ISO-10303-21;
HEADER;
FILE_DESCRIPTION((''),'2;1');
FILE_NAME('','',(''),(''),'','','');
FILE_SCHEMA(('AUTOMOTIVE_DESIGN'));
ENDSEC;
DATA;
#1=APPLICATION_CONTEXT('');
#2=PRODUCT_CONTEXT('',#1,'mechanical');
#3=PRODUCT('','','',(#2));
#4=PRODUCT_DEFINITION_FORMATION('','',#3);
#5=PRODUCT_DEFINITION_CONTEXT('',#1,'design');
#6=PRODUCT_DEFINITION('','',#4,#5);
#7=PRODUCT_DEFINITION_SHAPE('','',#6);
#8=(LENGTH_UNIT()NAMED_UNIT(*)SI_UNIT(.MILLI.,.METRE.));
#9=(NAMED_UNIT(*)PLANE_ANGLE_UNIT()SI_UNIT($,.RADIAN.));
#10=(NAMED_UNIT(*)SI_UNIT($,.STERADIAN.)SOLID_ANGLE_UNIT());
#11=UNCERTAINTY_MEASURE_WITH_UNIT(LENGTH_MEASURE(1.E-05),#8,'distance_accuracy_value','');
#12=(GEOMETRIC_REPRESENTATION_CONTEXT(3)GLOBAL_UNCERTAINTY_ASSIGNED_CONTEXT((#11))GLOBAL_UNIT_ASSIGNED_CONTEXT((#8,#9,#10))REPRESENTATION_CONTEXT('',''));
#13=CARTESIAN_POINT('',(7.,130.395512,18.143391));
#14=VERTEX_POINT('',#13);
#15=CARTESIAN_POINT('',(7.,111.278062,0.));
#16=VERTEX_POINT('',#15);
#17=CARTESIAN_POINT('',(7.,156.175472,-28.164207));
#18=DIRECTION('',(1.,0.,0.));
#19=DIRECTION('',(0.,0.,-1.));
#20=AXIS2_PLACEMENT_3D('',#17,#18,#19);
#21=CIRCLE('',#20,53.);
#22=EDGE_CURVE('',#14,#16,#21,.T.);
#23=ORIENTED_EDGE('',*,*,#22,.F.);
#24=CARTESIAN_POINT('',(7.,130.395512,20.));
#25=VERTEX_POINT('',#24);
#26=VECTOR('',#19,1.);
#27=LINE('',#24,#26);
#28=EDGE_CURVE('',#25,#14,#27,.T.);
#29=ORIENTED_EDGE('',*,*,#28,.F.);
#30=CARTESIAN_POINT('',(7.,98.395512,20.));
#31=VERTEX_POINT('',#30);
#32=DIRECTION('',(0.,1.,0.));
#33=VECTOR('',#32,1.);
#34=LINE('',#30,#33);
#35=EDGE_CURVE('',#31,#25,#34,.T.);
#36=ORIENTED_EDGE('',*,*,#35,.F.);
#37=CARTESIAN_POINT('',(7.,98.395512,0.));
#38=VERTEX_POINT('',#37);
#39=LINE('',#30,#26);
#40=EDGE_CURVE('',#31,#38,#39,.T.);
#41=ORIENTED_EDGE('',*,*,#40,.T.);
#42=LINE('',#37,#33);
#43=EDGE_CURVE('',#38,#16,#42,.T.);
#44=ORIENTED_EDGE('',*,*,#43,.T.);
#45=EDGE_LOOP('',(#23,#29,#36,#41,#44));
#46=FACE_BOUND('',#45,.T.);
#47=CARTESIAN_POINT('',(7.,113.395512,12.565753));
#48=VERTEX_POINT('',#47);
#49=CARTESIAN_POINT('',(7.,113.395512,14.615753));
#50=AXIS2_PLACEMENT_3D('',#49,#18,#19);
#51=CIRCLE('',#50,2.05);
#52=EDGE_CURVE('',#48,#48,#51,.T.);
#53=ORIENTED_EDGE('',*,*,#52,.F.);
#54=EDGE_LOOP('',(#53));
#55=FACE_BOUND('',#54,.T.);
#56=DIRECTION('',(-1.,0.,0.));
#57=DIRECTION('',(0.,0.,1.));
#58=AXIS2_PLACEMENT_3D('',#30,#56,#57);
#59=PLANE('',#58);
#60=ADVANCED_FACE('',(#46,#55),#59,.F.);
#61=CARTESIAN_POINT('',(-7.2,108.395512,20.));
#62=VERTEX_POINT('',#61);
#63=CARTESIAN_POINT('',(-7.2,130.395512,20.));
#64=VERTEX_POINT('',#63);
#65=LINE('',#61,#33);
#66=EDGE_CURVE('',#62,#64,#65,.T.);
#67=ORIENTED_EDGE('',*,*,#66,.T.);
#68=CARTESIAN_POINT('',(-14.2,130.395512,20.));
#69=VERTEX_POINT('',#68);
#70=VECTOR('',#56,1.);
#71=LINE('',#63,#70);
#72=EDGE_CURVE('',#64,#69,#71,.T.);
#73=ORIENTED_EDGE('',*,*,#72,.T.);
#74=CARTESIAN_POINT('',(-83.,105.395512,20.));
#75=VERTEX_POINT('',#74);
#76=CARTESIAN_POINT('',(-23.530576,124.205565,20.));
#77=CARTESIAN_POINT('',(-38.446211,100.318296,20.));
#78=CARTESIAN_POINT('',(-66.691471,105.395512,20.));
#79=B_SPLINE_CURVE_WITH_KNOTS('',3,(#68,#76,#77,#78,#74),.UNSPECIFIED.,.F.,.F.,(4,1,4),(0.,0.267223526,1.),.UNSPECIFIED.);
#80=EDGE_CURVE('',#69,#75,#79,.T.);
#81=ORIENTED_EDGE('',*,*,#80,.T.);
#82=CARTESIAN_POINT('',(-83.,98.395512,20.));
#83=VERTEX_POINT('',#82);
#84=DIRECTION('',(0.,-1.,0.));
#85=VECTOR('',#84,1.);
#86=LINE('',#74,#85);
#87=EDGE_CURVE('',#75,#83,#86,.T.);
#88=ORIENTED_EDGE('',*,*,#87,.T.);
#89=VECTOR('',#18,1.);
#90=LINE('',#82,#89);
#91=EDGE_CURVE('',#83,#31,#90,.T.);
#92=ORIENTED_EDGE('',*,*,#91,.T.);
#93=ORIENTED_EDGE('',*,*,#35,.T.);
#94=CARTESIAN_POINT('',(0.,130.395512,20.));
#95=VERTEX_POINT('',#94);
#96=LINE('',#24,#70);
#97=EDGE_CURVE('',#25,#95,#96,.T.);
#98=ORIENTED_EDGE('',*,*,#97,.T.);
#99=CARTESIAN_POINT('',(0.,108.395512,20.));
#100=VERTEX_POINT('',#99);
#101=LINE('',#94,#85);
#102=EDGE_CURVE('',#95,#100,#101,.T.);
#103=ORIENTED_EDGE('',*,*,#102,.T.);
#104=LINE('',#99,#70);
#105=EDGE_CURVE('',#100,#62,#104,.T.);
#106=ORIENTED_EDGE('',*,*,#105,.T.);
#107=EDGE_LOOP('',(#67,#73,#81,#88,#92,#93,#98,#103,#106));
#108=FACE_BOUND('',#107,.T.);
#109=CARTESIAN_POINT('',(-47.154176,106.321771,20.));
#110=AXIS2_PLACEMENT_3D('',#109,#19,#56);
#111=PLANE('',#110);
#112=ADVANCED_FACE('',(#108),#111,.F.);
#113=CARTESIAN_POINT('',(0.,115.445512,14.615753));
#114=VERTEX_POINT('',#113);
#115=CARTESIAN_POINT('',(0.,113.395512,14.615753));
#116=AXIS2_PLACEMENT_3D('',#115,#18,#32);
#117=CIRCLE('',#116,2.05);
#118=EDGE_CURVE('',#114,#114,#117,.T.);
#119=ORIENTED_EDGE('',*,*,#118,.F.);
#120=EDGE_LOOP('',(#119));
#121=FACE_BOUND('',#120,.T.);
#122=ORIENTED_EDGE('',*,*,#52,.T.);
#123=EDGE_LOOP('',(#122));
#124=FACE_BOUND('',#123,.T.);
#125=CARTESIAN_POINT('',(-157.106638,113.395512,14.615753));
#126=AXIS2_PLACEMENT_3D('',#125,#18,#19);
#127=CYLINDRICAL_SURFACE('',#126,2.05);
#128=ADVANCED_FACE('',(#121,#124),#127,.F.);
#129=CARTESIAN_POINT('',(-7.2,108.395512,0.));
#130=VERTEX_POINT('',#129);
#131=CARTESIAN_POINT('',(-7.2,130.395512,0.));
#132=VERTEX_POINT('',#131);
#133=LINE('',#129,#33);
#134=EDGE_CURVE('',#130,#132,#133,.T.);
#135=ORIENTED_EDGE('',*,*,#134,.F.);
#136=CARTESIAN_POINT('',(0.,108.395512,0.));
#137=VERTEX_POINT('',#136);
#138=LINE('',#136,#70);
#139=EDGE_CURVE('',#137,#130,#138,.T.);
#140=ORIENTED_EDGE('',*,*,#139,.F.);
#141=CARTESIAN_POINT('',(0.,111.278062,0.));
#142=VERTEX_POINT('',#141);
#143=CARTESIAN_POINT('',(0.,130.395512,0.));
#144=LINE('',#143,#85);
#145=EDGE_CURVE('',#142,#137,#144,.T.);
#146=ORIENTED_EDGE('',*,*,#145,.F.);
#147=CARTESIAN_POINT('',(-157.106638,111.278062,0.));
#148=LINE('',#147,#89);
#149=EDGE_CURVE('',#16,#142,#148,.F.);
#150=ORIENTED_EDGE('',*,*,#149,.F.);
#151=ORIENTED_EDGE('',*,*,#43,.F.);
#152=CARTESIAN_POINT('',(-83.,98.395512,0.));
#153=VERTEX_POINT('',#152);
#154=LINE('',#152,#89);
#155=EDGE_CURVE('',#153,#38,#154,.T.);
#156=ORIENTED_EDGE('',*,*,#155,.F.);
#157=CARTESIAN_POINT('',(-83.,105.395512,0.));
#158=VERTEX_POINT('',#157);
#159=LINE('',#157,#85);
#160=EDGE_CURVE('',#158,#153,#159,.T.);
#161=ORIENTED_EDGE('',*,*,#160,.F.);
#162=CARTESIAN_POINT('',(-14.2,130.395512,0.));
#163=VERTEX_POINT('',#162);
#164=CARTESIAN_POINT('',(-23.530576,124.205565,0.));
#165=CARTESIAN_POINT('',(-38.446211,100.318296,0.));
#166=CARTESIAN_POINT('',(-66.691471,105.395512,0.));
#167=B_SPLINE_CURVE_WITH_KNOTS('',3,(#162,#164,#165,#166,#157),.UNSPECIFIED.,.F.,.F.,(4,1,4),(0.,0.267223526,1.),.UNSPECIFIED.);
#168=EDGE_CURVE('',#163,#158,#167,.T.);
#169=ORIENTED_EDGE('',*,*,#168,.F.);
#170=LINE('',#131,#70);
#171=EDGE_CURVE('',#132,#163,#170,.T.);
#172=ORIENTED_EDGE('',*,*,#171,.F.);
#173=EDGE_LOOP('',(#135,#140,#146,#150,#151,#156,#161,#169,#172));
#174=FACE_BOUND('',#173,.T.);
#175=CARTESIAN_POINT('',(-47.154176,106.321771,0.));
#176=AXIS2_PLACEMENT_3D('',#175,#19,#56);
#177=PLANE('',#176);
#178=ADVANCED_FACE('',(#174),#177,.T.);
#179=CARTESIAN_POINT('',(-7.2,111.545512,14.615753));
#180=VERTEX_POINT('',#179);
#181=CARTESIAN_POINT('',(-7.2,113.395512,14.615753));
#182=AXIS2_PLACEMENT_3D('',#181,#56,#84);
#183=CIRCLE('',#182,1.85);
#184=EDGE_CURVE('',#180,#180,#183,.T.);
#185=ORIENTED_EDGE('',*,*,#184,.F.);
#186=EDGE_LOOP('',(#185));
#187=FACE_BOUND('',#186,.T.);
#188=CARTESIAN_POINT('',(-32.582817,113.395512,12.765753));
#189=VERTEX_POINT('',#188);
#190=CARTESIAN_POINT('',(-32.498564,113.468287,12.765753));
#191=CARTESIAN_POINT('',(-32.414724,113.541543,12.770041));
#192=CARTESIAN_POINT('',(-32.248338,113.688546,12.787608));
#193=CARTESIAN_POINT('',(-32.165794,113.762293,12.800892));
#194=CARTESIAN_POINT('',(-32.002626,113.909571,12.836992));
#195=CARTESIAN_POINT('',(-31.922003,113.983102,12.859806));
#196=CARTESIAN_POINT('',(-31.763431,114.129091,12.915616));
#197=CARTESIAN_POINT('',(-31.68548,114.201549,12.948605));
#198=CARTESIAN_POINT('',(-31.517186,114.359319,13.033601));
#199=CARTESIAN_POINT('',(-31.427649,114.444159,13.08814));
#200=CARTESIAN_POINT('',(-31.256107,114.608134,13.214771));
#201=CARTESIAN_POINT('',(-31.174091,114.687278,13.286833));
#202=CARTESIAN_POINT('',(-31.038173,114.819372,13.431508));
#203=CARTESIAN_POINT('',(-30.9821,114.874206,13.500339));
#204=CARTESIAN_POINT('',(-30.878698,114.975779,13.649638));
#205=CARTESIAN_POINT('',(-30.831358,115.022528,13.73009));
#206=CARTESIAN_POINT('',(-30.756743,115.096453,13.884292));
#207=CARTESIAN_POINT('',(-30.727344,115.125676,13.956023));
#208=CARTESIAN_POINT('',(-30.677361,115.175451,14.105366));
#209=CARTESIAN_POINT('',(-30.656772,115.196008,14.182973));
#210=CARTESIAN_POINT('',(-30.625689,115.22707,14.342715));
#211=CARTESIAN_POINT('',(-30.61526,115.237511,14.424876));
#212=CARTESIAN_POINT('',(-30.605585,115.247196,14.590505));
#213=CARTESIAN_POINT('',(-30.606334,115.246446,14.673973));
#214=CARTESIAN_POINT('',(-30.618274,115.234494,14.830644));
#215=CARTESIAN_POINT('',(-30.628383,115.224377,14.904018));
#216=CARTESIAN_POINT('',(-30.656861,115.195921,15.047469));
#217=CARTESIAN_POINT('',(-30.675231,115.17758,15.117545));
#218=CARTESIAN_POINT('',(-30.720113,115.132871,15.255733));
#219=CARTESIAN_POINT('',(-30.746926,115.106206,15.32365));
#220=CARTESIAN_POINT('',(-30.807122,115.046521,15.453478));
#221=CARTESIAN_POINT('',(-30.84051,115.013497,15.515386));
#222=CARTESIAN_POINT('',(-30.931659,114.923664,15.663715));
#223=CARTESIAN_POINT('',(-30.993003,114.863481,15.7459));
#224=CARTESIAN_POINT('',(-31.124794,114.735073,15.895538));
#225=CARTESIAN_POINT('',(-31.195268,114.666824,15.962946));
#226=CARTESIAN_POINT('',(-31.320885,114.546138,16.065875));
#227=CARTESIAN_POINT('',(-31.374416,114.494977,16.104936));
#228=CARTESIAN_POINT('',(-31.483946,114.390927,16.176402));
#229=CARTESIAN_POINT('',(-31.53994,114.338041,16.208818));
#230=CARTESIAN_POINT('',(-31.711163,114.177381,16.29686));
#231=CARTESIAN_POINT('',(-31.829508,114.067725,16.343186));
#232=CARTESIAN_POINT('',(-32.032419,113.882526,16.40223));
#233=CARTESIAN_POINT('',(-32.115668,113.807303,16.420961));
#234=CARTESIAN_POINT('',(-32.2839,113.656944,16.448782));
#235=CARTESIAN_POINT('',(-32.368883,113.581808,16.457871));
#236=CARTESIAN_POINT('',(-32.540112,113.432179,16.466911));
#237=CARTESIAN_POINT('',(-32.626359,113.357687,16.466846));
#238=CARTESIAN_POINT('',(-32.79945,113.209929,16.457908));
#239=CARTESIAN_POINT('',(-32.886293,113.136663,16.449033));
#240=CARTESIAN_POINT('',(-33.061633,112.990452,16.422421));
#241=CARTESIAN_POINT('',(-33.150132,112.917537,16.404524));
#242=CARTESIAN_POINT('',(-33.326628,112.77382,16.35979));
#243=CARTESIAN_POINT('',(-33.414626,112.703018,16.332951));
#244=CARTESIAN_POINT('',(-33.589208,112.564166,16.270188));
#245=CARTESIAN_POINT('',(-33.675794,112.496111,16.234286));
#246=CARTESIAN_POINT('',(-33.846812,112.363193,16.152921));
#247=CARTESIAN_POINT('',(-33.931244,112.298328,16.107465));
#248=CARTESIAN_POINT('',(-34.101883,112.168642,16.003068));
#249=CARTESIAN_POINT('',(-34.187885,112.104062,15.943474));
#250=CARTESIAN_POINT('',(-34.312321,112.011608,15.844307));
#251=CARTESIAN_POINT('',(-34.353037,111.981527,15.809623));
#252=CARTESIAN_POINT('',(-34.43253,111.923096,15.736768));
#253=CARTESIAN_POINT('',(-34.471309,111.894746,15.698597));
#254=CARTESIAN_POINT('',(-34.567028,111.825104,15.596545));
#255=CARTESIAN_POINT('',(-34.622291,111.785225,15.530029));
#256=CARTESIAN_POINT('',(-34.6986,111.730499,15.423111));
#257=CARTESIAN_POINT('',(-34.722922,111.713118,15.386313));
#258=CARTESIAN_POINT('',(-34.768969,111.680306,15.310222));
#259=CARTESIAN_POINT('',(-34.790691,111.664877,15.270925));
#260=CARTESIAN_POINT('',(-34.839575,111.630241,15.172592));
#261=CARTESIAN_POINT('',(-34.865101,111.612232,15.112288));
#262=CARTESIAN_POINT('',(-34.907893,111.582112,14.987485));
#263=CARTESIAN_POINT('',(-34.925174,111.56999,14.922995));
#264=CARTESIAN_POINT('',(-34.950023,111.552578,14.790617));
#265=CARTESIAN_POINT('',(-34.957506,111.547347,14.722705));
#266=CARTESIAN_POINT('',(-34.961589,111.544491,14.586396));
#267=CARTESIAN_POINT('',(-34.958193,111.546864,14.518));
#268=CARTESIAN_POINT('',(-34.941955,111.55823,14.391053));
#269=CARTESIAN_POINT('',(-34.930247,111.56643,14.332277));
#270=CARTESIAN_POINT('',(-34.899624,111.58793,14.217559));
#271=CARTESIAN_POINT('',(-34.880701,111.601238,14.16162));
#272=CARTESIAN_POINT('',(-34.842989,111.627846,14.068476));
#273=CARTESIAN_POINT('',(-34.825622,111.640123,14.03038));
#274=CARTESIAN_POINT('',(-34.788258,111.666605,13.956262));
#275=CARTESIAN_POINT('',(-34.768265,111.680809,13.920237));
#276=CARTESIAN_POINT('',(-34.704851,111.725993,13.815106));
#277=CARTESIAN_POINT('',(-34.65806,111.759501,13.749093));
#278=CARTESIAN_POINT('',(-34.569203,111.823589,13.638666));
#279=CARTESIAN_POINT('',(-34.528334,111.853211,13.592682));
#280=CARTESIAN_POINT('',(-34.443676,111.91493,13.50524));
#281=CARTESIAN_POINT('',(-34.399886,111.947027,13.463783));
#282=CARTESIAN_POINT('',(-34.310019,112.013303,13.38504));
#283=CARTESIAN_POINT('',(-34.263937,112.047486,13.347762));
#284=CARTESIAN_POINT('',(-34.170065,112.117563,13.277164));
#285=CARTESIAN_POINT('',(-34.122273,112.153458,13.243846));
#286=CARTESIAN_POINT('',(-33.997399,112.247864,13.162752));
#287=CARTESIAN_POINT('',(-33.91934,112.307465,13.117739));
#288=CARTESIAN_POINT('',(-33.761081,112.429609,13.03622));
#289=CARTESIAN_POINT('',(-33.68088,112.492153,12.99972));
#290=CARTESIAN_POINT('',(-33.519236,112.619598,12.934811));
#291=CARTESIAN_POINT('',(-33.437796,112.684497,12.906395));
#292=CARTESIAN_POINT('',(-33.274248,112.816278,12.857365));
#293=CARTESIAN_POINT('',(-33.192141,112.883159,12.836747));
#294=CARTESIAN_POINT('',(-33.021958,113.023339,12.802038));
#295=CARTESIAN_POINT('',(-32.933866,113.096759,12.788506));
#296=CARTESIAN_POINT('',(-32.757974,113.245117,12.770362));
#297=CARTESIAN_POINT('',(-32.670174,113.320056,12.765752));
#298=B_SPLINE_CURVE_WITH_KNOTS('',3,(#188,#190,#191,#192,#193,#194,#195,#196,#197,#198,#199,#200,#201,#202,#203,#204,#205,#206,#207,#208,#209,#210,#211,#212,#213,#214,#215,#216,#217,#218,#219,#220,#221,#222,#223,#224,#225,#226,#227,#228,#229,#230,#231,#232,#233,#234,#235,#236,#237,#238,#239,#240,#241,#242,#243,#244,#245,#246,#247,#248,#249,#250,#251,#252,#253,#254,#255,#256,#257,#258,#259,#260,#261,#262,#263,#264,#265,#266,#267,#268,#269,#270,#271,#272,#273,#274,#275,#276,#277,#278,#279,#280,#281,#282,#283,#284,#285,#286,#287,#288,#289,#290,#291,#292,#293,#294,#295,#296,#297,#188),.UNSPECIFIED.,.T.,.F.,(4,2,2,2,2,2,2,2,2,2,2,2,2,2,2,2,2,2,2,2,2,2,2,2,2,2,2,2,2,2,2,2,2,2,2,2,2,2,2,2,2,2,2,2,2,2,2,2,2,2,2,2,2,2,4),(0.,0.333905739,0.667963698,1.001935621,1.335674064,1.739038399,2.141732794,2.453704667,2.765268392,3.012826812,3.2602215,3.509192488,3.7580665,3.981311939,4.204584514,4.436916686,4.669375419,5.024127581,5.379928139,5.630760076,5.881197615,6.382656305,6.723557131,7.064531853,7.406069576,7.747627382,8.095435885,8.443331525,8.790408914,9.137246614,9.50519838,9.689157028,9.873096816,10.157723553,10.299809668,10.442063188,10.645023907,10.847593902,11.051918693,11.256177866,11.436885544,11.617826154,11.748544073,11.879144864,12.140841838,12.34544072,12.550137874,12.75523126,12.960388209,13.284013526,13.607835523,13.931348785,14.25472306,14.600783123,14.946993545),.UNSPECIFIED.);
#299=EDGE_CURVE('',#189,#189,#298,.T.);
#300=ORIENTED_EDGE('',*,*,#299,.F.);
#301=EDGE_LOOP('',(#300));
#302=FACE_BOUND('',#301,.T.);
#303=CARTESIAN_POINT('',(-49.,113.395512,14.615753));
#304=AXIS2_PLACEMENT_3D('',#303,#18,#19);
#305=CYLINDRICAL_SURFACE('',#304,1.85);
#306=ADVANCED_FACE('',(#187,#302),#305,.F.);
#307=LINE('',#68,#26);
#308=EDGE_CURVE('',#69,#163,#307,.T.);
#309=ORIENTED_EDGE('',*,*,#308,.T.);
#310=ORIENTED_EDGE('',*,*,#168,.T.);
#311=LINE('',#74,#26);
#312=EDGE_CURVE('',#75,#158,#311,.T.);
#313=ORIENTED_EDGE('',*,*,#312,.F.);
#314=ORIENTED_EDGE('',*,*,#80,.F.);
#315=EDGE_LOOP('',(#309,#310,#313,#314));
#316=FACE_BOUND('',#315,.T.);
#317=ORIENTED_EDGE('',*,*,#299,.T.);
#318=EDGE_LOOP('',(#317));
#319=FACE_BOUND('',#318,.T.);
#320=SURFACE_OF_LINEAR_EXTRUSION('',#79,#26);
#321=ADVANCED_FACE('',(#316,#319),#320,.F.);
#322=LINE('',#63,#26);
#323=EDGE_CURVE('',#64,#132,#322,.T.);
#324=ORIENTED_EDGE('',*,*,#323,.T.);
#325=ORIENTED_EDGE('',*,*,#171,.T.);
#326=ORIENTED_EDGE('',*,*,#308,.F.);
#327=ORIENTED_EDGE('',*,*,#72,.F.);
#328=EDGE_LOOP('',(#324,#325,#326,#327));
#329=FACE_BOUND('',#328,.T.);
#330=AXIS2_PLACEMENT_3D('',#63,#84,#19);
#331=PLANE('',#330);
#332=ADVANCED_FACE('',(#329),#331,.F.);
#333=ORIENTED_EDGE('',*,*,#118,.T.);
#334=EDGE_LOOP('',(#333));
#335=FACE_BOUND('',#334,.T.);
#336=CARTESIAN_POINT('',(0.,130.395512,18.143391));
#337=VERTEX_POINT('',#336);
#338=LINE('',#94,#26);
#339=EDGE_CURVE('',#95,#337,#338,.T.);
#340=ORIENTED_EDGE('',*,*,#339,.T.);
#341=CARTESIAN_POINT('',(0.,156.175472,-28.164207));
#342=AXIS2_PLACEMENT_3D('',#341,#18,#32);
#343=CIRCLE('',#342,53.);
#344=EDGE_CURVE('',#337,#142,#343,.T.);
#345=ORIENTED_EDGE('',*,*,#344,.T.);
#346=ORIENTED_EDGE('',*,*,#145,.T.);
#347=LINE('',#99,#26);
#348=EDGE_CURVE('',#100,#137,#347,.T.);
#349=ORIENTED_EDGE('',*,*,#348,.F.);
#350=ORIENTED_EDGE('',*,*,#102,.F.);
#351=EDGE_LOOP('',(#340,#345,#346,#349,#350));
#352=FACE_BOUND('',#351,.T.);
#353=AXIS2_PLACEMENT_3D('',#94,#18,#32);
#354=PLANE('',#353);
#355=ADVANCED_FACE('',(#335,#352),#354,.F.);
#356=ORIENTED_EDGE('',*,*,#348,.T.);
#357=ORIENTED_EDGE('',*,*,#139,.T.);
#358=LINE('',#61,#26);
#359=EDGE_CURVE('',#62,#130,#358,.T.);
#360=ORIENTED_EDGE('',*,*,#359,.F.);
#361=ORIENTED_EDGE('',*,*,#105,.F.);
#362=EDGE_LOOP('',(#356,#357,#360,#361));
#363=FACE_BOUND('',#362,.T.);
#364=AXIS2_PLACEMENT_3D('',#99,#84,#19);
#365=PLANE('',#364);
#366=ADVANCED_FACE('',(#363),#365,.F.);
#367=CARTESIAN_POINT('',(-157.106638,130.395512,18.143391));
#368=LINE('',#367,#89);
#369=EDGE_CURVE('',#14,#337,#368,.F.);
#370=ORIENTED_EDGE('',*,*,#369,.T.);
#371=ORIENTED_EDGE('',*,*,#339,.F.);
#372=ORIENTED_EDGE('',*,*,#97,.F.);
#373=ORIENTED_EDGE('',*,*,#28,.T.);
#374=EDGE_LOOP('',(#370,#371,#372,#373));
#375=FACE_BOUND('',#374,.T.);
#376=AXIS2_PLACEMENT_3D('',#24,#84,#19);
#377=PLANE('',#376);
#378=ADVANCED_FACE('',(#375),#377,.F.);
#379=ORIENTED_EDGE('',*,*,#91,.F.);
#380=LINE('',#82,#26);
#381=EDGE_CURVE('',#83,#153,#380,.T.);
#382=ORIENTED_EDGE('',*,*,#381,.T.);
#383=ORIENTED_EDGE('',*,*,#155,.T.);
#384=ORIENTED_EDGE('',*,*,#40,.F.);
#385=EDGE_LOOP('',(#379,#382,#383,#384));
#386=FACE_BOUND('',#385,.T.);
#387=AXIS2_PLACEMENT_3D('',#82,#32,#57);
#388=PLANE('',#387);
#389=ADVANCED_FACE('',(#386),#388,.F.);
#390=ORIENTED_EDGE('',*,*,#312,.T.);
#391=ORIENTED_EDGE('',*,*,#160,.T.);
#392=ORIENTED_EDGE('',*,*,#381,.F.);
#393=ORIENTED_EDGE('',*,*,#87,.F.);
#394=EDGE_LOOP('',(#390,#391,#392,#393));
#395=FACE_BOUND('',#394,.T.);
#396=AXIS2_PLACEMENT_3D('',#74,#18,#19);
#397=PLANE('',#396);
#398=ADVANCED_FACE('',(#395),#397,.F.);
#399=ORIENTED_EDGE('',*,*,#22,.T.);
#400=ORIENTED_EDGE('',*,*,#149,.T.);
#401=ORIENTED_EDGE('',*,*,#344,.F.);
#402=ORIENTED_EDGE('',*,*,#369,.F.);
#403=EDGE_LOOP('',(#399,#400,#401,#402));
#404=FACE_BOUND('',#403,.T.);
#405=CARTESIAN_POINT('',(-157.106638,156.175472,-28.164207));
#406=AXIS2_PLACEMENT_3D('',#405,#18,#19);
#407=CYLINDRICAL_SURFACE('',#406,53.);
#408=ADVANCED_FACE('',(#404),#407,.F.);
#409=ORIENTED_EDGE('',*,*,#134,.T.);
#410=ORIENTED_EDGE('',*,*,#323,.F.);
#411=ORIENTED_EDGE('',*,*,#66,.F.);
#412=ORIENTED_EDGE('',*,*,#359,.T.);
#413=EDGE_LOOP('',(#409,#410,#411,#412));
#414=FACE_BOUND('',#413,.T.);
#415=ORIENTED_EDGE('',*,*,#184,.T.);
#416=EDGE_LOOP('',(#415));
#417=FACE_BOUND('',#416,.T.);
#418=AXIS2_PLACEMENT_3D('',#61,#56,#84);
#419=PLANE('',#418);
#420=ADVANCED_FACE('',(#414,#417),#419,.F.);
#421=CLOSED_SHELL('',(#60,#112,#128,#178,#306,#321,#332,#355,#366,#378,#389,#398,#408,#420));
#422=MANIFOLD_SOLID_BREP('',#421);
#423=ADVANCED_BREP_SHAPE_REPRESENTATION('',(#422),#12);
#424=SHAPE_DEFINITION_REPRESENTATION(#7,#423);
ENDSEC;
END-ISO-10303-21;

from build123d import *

# Parameters (mm, degrees)
BOSS_EXTRUDE1_DEPTH = 20
SKETCH2_R           = 53
SKETCH2_R_2         = 2.05
CUT_EXTRUDE1_DEPTH  = 14.2
SKETCH4_R           = 1.85
CUT_EXTRUDE2_DEPTH  = 56


with BuildPart() as part:
    # Sketch1 → Boss-Extrude1 (new body)
    with BuildSketch(Plane.XY):
        with BuildLine():
            Line((0, 130.395512055), (0, 108.395512055))
            Line((0, 108.395512055), (-7.2, 108.395512055))
            Line((-7.2, 108.395512055), (-7.2, 130.395512055))
            Line((-7.2, 130.395512055), (-14.2, 130.395512055))
            add(Edge.make_bspline(
                [(-14.2, 130.395512055), (-23.530576474, 124.205565192), (-38.446210931, 100.318296321), (-66.691471381, 105.395512055), (-83, 105.395512055)],
                knots=[0, 0, 0, 0, 0.267223526, 1, 1, 1, 1], degree=3))
            Line((-83, 105.395512055), (-83, 98.395512055))
            Line((-83, 98.395512055), (7, 98.395512055))
            Line((7, 98.395512055), (7, 130.395512055))
            Line((7, 130.395512055), (0, 130.395512055))
        make_face()
    extrude(amount=BOSS_EXTRUDE1_DEPTH)

    # Sketch2 → Cut-Extrude1 (cut)
    with BuildSketch(Plane(origin=(7, 0, 0), x_dir=(0, 0, -1), z_dir=(1, 0, 0))):
        with Locations((28.164207495, 156.175472317)):
            Circle(SKETCH2_R)
        with Locations((-14.615752767, 113.395512055)):
            Circle(SKETCH2_R_2)
    extrude(amount=-CUT_EXTRUDE1_DEPTH, mode=Mode.SUBTRACT)

    # Sketch4 → Cut-Extrude2 (cut)
    with BuildSketch(Plane(origin=(7, 0, 0), x_dir=(0, 0, -1), z_dir=(1, 0, 0))):
        with Locations((-14.615752767, 113.395512055)):
            Circle(SKETCH4_R)
    extrude(amount=-CUT_EXTRUDE2_DEPTH, mode=Mode.SUBTRACT)


solid = part.part
